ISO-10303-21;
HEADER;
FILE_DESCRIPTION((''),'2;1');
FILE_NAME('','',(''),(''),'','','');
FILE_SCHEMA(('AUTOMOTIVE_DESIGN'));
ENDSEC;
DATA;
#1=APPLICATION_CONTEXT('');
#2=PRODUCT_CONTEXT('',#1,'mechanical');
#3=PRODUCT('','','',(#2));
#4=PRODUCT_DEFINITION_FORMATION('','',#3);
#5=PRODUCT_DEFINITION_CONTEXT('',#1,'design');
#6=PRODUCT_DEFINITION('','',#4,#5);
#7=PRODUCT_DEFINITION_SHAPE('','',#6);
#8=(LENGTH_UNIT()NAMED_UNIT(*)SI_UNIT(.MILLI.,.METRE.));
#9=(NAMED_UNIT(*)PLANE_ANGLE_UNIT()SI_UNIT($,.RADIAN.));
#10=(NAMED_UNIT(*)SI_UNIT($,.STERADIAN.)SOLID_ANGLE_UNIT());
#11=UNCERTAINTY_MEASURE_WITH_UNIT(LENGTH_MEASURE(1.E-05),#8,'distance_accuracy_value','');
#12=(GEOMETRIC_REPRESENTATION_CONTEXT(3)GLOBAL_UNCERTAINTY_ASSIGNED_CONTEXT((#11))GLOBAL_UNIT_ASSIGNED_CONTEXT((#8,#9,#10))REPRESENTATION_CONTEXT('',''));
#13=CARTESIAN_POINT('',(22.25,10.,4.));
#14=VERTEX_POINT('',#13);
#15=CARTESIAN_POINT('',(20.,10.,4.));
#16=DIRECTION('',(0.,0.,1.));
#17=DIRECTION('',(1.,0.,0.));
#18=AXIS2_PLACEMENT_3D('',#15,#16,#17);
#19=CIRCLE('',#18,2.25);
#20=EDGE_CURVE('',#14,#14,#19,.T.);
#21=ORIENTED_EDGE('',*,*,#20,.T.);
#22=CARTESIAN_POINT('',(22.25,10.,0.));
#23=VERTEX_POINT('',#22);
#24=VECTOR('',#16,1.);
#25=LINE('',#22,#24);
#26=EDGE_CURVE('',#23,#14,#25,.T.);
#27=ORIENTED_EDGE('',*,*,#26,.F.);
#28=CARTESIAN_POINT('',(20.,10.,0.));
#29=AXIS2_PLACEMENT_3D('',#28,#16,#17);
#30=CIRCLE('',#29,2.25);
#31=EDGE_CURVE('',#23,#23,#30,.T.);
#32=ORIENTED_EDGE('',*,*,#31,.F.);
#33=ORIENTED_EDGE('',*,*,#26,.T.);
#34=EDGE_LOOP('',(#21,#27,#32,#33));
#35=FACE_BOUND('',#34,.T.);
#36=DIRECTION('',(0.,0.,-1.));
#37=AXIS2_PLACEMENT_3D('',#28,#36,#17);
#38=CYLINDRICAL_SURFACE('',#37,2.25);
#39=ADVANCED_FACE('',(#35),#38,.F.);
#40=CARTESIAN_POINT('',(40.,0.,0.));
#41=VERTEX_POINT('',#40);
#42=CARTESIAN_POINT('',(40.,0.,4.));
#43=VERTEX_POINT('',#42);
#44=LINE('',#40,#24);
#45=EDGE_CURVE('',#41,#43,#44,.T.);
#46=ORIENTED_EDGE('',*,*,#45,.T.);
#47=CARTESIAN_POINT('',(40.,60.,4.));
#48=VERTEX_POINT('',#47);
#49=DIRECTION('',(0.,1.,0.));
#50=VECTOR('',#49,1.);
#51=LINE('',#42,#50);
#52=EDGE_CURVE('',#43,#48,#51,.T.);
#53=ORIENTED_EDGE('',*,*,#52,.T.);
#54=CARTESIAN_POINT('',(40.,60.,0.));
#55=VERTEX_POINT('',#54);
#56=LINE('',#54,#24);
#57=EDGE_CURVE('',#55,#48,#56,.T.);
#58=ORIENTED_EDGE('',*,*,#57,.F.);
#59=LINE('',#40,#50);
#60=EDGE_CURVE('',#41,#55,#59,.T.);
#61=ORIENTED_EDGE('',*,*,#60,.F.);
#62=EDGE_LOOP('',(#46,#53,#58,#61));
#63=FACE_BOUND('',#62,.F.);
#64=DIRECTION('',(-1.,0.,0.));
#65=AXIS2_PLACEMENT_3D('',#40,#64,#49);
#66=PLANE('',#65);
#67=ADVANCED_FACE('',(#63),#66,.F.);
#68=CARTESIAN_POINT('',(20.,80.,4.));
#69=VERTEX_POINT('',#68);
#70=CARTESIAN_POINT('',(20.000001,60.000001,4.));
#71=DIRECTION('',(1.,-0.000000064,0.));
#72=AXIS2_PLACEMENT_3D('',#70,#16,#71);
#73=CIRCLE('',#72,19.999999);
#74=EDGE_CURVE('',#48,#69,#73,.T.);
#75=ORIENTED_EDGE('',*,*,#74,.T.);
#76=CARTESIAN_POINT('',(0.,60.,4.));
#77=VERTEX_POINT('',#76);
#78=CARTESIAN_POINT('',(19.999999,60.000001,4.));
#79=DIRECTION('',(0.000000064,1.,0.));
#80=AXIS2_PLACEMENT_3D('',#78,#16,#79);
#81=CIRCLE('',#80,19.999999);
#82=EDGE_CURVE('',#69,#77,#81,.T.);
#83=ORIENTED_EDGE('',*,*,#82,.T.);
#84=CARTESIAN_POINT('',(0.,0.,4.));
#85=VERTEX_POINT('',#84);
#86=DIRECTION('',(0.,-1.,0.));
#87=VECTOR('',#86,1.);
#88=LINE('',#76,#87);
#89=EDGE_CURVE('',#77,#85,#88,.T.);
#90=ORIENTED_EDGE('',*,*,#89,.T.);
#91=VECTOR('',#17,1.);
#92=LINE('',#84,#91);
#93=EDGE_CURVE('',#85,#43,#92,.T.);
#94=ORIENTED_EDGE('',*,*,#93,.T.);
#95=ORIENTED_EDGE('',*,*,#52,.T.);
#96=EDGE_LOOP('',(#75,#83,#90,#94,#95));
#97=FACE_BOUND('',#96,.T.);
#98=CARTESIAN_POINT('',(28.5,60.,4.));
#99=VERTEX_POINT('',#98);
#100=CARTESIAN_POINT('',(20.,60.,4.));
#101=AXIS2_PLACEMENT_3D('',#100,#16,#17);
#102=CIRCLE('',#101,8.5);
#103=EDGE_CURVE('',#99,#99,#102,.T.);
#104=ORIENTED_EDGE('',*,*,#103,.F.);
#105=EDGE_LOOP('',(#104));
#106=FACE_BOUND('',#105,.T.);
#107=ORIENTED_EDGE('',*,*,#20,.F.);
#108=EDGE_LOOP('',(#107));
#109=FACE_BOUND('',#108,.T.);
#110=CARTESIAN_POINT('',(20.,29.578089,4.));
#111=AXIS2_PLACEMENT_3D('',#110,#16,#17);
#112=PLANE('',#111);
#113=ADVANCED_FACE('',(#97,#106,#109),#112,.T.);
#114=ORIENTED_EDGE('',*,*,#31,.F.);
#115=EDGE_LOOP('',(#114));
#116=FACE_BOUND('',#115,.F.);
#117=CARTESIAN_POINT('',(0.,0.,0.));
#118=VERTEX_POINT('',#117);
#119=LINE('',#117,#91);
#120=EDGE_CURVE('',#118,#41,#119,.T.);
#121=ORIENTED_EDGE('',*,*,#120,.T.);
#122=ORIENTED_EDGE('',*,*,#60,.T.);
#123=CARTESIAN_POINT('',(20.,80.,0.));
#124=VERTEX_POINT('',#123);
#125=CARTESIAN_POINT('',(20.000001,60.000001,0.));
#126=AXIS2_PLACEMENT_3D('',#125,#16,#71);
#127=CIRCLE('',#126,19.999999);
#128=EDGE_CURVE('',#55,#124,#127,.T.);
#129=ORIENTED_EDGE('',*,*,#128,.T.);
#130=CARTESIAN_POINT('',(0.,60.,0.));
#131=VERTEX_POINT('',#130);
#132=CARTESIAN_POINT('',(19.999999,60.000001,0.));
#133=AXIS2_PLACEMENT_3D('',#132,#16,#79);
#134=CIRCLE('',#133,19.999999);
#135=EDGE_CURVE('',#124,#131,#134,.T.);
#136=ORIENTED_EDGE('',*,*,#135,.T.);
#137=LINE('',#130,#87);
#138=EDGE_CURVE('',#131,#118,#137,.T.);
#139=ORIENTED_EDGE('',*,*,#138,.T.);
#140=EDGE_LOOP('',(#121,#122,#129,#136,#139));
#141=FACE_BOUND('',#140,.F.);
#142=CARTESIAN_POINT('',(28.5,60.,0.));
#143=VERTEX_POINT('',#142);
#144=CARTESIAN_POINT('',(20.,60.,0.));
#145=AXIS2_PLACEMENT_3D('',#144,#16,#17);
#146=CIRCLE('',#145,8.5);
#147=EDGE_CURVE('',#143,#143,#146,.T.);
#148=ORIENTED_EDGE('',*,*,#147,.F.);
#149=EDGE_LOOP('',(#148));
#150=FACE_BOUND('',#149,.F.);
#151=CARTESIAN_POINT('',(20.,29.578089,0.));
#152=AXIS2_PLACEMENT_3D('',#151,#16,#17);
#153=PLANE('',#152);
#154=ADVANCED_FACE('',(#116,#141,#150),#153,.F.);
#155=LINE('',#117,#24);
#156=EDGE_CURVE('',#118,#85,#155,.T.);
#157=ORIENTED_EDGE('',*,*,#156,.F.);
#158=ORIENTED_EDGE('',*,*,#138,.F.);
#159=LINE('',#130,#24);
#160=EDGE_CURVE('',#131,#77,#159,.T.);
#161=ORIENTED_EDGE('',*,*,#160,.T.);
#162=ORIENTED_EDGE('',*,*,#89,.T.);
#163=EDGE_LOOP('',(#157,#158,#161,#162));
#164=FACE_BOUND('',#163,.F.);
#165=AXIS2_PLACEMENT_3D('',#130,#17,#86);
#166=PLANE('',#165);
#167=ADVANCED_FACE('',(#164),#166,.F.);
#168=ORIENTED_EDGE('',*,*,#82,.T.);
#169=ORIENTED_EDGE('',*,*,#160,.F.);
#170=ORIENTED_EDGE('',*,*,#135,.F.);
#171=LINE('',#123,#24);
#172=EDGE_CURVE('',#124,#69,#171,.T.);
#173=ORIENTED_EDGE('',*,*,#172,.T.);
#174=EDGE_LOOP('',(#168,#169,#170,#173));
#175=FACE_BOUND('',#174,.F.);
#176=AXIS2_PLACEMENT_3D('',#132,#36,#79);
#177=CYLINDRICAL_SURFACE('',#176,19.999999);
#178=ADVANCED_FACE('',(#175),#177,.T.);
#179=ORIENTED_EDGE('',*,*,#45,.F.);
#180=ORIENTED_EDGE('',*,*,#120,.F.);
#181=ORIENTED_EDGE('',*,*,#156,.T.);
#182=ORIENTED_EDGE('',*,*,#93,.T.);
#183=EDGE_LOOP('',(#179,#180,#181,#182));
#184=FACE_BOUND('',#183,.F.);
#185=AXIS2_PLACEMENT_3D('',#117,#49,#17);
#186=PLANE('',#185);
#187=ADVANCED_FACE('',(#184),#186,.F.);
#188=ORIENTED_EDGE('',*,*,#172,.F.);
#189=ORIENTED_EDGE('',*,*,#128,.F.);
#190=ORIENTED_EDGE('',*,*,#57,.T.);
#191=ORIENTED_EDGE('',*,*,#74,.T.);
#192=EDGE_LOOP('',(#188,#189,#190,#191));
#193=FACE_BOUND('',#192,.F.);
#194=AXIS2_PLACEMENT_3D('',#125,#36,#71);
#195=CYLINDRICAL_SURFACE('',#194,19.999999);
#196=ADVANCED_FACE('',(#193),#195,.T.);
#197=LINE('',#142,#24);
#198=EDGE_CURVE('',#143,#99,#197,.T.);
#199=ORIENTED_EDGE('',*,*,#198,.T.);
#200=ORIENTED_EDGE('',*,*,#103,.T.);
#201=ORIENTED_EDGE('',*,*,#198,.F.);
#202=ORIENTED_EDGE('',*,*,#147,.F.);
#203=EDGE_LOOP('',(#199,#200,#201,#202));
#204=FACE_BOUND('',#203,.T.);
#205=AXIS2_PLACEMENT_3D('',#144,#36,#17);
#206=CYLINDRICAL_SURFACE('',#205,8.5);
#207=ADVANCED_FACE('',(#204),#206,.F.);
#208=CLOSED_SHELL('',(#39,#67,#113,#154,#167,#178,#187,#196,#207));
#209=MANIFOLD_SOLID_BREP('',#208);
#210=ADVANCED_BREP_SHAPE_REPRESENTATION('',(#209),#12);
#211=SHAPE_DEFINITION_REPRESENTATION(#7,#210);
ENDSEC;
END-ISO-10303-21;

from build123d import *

# Parameters (mm, degrees)
F0_R     = 2.25
F0_R_2   = 8.5
F1_DEPTH = 4


with BuildPart() as f1:
    # F0 (on Top) → F1 (new body)
    with BuildSketch(Plane.XY):
        with BuildLine():
            Line((0, 60), (0, 0))
            Line((0, 0), (40, 0))
            Line((40, 0), (40, 60))
            ThreePointArc((40, 60), (20, 40), (0, 60))
        make_face()
        with Locations((20, 10)):
            Circle(F0_R, mode=Mode.SUBTRACT)
        with BuildLine():
            ThreePointArc((20, 80), (5.857864, 74.142136), (0, 60))
            ThreePointArc((0, 60), (20, 40), (40, 60))
            ThreePointArc((40, 60), (34.142136, 74.142136), (20, 80))
        make_face()
        with Locations((20, 60)):
            Circle(F0_R_2, mode=Mode.SUBTRACT)
    extrude(amount=F1_DEPTH)


solid = f1.part
